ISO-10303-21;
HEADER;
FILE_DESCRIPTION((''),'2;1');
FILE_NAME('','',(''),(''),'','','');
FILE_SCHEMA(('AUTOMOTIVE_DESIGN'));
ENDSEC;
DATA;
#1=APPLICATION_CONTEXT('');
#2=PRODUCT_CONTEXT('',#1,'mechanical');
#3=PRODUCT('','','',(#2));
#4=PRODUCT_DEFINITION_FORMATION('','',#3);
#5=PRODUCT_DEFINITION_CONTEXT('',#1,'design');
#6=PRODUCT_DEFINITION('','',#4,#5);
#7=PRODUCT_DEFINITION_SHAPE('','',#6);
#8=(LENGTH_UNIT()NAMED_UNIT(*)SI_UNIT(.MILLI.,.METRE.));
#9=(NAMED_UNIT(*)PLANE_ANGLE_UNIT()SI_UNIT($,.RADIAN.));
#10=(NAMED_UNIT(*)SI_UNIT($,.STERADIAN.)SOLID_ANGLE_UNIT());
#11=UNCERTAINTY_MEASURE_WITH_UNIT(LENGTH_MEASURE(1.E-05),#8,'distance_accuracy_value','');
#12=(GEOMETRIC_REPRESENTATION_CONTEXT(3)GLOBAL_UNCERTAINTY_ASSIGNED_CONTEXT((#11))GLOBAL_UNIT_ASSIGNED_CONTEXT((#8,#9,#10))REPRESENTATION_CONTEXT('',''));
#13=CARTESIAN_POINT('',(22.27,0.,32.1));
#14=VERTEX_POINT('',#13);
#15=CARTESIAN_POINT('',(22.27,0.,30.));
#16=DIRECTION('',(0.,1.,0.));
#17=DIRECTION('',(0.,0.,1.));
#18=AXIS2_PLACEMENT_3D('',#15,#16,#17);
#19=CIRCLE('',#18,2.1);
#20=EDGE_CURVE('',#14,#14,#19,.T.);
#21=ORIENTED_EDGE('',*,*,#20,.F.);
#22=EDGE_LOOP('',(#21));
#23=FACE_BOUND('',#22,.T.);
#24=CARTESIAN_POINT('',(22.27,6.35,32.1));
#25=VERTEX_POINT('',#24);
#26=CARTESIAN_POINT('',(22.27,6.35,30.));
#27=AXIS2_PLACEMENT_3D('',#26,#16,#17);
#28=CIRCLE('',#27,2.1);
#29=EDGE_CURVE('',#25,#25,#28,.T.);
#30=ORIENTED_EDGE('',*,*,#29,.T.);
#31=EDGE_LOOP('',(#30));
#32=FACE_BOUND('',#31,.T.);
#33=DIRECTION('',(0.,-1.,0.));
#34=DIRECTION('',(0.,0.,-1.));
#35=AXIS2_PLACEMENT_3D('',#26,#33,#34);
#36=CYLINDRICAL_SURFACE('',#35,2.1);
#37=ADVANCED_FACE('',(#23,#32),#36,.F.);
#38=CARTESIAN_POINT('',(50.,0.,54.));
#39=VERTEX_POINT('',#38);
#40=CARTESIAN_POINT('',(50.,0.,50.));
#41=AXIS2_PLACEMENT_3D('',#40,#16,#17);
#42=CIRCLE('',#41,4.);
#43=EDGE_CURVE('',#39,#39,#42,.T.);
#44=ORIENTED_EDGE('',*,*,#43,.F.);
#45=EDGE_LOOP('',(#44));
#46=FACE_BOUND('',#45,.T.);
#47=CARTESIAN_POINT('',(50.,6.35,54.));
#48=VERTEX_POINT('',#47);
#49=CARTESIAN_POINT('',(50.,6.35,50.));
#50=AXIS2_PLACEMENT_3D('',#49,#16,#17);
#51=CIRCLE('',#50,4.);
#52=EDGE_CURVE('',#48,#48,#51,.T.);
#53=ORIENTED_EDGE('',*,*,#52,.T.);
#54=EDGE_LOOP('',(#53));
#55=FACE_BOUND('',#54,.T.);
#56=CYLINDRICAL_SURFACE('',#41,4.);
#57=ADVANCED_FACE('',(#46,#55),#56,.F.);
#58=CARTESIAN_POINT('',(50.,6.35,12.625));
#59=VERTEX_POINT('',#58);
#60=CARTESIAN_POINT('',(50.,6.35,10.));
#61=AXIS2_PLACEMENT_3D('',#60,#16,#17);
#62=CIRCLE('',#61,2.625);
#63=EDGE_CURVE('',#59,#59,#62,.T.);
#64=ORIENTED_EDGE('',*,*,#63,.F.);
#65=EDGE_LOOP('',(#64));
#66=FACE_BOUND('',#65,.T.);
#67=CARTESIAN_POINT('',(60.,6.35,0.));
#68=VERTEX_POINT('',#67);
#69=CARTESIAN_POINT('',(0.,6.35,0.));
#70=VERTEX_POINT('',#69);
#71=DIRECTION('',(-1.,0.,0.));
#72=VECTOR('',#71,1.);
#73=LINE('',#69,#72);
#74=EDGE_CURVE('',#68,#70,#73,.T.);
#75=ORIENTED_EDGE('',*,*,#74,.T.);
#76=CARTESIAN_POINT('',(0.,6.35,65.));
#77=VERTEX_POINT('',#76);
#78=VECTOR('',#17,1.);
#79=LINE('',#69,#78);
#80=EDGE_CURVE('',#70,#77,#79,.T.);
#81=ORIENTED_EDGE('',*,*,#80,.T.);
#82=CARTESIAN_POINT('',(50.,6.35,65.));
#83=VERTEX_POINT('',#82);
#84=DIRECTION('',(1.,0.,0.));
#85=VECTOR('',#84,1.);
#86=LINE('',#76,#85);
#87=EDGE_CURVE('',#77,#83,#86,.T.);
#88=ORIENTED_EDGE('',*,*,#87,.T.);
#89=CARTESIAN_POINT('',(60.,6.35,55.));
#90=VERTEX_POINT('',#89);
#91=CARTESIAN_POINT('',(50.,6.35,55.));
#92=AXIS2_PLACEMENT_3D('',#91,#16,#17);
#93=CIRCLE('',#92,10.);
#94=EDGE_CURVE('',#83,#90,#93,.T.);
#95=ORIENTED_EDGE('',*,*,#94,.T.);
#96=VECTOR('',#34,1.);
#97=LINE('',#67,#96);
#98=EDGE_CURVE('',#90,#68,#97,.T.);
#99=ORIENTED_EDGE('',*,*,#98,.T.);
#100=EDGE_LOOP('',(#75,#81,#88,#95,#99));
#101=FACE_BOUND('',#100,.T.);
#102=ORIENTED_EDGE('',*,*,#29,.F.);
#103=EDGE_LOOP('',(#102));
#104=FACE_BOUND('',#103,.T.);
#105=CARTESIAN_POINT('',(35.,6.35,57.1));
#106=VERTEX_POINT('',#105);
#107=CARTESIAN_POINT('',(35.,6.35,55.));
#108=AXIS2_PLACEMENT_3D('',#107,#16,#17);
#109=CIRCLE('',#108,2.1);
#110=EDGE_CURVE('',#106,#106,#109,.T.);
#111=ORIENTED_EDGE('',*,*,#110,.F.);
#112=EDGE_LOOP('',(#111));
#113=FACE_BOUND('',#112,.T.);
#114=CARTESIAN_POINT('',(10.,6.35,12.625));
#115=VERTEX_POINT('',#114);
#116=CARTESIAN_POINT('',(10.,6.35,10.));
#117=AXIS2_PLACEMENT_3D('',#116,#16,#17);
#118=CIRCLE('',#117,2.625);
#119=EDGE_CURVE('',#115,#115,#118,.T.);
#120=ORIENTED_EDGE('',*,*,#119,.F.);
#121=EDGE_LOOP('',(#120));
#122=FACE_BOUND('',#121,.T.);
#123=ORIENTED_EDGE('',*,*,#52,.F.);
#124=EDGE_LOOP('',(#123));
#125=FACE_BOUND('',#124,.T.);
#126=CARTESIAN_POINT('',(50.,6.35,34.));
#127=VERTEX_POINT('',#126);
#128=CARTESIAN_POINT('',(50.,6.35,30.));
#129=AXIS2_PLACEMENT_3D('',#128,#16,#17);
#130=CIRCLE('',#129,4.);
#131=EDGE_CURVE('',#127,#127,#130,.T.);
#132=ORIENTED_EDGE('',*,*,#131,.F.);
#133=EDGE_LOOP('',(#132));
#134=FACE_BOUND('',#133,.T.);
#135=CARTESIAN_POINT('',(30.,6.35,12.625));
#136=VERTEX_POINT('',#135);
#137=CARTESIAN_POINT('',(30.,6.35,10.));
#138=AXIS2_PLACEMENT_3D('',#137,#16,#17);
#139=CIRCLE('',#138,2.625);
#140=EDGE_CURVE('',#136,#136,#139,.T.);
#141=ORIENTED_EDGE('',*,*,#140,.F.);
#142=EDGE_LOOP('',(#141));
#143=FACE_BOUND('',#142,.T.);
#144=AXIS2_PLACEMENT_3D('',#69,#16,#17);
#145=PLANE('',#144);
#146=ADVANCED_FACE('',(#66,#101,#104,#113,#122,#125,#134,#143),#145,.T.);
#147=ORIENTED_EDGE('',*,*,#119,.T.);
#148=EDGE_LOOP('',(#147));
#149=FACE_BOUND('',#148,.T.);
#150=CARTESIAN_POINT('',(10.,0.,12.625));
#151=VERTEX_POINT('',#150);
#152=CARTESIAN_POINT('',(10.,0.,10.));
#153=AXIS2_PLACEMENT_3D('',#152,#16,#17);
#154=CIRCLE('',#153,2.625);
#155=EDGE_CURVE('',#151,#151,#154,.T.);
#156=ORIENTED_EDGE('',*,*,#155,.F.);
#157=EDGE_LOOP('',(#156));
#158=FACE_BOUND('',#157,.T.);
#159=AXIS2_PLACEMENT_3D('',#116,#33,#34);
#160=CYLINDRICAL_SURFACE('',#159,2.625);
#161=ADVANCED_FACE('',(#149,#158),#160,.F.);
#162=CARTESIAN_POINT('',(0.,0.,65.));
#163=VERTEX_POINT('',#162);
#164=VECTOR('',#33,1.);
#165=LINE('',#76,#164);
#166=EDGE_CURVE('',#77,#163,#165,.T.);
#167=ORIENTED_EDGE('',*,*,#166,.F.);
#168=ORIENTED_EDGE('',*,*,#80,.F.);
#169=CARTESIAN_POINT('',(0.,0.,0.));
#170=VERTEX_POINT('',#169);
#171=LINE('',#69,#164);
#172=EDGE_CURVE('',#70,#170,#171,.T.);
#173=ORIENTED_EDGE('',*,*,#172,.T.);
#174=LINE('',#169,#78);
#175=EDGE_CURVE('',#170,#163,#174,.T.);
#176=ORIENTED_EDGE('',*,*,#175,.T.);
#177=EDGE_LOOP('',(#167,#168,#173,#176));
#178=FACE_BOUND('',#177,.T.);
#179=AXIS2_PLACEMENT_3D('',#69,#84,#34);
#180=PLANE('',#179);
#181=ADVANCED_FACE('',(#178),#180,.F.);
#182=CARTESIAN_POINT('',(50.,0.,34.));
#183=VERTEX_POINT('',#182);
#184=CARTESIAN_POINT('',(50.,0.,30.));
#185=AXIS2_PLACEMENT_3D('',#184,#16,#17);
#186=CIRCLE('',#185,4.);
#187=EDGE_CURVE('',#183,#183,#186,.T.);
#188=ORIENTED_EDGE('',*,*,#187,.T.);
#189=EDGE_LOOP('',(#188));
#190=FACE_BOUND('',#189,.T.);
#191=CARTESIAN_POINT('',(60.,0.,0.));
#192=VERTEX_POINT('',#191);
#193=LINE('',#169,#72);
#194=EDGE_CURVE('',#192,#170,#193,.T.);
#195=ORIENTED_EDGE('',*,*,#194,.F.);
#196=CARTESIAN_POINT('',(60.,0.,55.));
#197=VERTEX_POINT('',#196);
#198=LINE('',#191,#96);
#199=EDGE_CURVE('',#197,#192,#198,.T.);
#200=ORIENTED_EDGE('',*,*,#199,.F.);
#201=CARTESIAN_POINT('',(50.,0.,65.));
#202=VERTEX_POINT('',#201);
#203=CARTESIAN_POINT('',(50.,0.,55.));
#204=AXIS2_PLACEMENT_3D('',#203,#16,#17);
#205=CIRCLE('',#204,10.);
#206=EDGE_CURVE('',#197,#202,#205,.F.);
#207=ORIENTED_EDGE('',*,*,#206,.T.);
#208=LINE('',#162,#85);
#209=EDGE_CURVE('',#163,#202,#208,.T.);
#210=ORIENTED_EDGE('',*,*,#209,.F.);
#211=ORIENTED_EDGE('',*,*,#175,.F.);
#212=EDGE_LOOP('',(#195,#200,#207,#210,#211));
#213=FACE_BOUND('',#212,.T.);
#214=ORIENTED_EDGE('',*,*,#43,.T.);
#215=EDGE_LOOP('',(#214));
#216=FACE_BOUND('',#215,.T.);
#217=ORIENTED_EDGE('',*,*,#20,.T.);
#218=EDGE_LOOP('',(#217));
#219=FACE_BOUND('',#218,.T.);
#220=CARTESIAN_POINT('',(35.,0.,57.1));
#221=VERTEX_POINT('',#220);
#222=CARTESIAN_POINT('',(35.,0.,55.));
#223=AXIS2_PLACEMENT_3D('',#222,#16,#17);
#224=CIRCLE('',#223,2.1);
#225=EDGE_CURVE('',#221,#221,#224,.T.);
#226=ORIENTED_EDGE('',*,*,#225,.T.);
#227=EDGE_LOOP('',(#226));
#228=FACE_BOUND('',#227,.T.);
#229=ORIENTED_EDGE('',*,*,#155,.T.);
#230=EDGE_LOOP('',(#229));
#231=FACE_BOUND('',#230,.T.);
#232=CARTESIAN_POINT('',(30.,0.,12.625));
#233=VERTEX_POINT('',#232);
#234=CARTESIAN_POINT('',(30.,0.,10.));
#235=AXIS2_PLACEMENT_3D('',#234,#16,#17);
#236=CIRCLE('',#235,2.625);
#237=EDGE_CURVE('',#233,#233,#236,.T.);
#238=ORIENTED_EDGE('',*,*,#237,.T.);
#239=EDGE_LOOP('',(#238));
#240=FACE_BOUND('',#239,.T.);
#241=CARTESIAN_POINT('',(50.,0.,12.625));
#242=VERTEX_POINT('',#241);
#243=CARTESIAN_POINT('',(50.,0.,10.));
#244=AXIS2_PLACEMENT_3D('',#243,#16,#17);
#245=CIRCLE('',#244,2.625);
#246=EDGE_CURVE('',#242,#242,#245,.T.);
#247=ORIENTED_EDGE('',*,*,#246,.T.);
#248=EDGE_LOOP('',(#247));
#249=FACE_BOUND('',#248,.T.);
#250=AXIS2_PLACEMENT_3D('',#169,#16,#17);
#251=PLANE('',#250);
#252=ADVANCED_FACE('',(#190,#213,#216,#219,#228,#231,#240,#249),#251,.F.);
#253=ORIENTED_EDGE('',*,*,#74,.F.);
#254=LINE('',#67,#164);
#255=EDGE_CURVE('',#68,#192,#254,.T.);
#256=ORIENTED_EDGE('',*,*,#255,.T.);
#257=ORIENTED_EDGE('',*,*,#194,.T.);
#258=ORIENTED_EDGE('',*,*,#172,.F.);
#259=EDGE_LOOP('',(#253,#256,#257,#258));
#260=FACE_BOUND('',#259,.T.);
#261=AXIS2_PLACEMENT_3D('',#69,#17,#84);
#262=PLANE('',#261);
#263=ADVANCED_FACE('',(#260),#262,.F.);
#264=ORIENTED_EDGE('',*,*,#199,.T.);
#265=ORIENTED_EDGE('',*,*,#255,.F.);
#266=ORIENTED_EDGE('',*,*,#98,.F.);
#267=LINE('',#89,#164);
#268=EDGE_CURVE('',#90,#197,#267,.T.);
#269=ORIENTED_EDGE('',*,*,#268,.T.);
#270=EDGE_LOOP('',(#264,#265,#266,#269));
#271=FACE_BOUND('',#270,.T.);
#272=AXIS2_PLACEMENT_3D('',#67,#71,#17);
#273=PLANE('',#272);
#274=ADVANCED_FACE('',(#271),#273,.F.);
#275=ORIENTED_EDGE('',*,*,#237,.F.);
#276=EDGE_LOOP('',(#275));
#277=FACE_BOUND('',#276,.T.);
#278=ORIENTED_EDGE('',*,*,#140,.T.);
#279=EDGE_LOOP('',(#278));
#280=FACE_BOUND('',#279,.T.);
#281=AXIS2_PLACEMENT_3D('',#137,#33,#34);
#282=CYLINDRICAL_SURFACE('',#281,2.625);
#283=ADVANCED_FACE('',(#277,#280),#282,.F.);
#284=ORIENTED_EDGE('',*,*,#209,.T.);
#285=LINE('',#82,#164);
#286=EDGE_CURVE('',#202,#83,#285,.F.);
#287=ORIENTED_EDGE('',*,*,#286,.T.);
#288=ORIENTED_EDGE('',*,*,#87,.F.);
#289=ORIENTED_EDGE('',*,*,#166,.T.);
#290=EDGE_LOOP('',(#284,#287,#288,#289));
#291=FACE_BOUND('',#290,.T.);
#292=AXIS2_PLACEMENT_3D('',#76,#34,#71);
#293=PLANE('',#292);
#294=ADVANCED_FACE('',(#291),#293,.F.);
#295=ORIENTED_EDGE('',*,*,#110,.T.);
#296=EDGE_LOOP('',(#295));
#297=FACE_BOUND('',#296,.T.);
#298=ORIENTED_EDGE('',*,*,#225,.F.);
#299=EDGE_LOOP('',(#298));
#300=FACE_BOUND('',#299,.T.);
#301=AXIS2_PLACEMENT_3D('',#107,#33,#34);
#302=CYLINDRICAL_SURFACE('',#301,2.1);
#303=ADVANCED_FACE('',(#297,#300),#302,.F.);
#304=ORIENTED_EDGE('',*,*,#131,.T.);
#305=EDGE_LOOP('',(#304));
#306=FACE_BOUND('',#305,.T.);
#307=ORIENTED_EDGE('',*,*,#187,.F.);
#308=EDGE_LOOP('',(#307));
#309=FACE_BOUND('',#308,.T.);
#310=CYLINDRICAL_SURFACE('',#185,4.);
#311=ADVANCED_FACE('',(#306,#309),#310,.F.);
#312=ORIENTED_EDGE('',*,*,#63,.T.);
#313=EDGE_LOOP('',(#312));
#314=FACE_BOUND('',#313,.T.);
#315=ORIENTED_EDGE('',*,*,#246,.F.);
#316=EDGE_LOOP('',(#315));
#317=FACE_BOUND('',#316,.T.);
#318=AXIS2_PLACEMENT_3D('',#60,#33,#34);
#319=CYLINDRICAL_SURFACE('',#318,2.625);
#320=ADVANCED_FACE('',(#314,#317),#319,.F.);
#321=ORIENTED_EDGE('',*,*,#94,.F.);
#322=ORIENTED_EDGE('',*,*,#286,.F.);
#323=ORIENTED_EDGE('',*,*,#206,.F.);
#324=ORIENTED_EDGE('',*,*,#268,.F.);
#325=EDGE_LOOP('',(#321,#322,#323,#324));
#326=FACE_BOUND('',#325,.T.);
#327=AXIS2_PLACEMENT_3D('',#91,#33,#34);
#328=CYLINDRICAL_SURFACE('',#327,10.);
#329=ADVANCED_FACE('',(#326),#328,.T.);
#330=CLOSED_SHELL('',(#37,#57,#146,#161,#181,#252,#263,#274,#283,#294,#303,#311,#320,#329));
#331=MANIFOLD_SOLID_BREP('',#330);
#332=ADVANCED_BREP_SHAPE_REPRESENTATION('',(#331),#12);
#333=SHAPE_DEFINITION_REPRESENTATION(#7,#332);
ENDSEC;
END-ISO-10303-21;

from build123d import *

# Parameters (mm, degrees)
SKETCH1_W           = 60
SKETCH1_H           = 65
SKETCH1_R           = 2.625
SKETCH1_R_2         = 2.1
BOSS_EXTRUDE1_DEPTH = 6.35
FILLET1_R           = 10
SKETCH2_R           = 4
CUT_EXTRUDE1_DEPTH  = 7.35


with BuildPart() as part:
    # Sketch1 → Boss-Extrude1 (new body)
    with BuildSketch(Plane(origin=(0, 0, 0), x_dir=(1, 0, 0), z_dir=(0, 1, 0))):
        with Locations((30, -32.5)):
            Rectangle(SKETCH1_W, SKETCH1_H)
        with Locations((10, -10)):
            Circle(SKETCH1_R, mode=Mode.SUBTRACT)
        with Locations((30, -10)):
            Circle(SKETCH1_R, mode=Mode.SUBTRACT)
        with Locations((50, -10)):
            Circle(SKETCH1_R, mode=Mode.SUBTRACT)
        with Locations((22.27, -30)):
            Circle(SKETCH1_R_2, mode=Mode.SUBTRACT)
        with Locations((35, -55)):
            Circle(SKETCH1_R_2, mode=Mode.SUBTRACT)
    extrude(amount=BOSS_EXTRUDE1_DEPTH)

    # Fillet1
    fillet1_edges = [part.edges().sort_by_distance(p)[0] for p in [
        (60, 3.175, 65),
    ]]
    fillet(fillet1_edges, radius=FILLET1_R)

    # Sketch2 → Cut-Extrude1 (cut, through all)
    with BuildSketch(Plane(origin=(0, 6.35, 0), x_dir=(1, 0, 0), z_dir=(0, 1, 0))):
        with Locations((50, -30)):
            Circle(SKETCH2_R)
        with Locations((50, -50)):
            Circle(SKETCH2_R)
    extrude(amount=-CUT_EXTRUDE1_DEPTH, mode=Mode.SUBTRACT)


solid = part.part
